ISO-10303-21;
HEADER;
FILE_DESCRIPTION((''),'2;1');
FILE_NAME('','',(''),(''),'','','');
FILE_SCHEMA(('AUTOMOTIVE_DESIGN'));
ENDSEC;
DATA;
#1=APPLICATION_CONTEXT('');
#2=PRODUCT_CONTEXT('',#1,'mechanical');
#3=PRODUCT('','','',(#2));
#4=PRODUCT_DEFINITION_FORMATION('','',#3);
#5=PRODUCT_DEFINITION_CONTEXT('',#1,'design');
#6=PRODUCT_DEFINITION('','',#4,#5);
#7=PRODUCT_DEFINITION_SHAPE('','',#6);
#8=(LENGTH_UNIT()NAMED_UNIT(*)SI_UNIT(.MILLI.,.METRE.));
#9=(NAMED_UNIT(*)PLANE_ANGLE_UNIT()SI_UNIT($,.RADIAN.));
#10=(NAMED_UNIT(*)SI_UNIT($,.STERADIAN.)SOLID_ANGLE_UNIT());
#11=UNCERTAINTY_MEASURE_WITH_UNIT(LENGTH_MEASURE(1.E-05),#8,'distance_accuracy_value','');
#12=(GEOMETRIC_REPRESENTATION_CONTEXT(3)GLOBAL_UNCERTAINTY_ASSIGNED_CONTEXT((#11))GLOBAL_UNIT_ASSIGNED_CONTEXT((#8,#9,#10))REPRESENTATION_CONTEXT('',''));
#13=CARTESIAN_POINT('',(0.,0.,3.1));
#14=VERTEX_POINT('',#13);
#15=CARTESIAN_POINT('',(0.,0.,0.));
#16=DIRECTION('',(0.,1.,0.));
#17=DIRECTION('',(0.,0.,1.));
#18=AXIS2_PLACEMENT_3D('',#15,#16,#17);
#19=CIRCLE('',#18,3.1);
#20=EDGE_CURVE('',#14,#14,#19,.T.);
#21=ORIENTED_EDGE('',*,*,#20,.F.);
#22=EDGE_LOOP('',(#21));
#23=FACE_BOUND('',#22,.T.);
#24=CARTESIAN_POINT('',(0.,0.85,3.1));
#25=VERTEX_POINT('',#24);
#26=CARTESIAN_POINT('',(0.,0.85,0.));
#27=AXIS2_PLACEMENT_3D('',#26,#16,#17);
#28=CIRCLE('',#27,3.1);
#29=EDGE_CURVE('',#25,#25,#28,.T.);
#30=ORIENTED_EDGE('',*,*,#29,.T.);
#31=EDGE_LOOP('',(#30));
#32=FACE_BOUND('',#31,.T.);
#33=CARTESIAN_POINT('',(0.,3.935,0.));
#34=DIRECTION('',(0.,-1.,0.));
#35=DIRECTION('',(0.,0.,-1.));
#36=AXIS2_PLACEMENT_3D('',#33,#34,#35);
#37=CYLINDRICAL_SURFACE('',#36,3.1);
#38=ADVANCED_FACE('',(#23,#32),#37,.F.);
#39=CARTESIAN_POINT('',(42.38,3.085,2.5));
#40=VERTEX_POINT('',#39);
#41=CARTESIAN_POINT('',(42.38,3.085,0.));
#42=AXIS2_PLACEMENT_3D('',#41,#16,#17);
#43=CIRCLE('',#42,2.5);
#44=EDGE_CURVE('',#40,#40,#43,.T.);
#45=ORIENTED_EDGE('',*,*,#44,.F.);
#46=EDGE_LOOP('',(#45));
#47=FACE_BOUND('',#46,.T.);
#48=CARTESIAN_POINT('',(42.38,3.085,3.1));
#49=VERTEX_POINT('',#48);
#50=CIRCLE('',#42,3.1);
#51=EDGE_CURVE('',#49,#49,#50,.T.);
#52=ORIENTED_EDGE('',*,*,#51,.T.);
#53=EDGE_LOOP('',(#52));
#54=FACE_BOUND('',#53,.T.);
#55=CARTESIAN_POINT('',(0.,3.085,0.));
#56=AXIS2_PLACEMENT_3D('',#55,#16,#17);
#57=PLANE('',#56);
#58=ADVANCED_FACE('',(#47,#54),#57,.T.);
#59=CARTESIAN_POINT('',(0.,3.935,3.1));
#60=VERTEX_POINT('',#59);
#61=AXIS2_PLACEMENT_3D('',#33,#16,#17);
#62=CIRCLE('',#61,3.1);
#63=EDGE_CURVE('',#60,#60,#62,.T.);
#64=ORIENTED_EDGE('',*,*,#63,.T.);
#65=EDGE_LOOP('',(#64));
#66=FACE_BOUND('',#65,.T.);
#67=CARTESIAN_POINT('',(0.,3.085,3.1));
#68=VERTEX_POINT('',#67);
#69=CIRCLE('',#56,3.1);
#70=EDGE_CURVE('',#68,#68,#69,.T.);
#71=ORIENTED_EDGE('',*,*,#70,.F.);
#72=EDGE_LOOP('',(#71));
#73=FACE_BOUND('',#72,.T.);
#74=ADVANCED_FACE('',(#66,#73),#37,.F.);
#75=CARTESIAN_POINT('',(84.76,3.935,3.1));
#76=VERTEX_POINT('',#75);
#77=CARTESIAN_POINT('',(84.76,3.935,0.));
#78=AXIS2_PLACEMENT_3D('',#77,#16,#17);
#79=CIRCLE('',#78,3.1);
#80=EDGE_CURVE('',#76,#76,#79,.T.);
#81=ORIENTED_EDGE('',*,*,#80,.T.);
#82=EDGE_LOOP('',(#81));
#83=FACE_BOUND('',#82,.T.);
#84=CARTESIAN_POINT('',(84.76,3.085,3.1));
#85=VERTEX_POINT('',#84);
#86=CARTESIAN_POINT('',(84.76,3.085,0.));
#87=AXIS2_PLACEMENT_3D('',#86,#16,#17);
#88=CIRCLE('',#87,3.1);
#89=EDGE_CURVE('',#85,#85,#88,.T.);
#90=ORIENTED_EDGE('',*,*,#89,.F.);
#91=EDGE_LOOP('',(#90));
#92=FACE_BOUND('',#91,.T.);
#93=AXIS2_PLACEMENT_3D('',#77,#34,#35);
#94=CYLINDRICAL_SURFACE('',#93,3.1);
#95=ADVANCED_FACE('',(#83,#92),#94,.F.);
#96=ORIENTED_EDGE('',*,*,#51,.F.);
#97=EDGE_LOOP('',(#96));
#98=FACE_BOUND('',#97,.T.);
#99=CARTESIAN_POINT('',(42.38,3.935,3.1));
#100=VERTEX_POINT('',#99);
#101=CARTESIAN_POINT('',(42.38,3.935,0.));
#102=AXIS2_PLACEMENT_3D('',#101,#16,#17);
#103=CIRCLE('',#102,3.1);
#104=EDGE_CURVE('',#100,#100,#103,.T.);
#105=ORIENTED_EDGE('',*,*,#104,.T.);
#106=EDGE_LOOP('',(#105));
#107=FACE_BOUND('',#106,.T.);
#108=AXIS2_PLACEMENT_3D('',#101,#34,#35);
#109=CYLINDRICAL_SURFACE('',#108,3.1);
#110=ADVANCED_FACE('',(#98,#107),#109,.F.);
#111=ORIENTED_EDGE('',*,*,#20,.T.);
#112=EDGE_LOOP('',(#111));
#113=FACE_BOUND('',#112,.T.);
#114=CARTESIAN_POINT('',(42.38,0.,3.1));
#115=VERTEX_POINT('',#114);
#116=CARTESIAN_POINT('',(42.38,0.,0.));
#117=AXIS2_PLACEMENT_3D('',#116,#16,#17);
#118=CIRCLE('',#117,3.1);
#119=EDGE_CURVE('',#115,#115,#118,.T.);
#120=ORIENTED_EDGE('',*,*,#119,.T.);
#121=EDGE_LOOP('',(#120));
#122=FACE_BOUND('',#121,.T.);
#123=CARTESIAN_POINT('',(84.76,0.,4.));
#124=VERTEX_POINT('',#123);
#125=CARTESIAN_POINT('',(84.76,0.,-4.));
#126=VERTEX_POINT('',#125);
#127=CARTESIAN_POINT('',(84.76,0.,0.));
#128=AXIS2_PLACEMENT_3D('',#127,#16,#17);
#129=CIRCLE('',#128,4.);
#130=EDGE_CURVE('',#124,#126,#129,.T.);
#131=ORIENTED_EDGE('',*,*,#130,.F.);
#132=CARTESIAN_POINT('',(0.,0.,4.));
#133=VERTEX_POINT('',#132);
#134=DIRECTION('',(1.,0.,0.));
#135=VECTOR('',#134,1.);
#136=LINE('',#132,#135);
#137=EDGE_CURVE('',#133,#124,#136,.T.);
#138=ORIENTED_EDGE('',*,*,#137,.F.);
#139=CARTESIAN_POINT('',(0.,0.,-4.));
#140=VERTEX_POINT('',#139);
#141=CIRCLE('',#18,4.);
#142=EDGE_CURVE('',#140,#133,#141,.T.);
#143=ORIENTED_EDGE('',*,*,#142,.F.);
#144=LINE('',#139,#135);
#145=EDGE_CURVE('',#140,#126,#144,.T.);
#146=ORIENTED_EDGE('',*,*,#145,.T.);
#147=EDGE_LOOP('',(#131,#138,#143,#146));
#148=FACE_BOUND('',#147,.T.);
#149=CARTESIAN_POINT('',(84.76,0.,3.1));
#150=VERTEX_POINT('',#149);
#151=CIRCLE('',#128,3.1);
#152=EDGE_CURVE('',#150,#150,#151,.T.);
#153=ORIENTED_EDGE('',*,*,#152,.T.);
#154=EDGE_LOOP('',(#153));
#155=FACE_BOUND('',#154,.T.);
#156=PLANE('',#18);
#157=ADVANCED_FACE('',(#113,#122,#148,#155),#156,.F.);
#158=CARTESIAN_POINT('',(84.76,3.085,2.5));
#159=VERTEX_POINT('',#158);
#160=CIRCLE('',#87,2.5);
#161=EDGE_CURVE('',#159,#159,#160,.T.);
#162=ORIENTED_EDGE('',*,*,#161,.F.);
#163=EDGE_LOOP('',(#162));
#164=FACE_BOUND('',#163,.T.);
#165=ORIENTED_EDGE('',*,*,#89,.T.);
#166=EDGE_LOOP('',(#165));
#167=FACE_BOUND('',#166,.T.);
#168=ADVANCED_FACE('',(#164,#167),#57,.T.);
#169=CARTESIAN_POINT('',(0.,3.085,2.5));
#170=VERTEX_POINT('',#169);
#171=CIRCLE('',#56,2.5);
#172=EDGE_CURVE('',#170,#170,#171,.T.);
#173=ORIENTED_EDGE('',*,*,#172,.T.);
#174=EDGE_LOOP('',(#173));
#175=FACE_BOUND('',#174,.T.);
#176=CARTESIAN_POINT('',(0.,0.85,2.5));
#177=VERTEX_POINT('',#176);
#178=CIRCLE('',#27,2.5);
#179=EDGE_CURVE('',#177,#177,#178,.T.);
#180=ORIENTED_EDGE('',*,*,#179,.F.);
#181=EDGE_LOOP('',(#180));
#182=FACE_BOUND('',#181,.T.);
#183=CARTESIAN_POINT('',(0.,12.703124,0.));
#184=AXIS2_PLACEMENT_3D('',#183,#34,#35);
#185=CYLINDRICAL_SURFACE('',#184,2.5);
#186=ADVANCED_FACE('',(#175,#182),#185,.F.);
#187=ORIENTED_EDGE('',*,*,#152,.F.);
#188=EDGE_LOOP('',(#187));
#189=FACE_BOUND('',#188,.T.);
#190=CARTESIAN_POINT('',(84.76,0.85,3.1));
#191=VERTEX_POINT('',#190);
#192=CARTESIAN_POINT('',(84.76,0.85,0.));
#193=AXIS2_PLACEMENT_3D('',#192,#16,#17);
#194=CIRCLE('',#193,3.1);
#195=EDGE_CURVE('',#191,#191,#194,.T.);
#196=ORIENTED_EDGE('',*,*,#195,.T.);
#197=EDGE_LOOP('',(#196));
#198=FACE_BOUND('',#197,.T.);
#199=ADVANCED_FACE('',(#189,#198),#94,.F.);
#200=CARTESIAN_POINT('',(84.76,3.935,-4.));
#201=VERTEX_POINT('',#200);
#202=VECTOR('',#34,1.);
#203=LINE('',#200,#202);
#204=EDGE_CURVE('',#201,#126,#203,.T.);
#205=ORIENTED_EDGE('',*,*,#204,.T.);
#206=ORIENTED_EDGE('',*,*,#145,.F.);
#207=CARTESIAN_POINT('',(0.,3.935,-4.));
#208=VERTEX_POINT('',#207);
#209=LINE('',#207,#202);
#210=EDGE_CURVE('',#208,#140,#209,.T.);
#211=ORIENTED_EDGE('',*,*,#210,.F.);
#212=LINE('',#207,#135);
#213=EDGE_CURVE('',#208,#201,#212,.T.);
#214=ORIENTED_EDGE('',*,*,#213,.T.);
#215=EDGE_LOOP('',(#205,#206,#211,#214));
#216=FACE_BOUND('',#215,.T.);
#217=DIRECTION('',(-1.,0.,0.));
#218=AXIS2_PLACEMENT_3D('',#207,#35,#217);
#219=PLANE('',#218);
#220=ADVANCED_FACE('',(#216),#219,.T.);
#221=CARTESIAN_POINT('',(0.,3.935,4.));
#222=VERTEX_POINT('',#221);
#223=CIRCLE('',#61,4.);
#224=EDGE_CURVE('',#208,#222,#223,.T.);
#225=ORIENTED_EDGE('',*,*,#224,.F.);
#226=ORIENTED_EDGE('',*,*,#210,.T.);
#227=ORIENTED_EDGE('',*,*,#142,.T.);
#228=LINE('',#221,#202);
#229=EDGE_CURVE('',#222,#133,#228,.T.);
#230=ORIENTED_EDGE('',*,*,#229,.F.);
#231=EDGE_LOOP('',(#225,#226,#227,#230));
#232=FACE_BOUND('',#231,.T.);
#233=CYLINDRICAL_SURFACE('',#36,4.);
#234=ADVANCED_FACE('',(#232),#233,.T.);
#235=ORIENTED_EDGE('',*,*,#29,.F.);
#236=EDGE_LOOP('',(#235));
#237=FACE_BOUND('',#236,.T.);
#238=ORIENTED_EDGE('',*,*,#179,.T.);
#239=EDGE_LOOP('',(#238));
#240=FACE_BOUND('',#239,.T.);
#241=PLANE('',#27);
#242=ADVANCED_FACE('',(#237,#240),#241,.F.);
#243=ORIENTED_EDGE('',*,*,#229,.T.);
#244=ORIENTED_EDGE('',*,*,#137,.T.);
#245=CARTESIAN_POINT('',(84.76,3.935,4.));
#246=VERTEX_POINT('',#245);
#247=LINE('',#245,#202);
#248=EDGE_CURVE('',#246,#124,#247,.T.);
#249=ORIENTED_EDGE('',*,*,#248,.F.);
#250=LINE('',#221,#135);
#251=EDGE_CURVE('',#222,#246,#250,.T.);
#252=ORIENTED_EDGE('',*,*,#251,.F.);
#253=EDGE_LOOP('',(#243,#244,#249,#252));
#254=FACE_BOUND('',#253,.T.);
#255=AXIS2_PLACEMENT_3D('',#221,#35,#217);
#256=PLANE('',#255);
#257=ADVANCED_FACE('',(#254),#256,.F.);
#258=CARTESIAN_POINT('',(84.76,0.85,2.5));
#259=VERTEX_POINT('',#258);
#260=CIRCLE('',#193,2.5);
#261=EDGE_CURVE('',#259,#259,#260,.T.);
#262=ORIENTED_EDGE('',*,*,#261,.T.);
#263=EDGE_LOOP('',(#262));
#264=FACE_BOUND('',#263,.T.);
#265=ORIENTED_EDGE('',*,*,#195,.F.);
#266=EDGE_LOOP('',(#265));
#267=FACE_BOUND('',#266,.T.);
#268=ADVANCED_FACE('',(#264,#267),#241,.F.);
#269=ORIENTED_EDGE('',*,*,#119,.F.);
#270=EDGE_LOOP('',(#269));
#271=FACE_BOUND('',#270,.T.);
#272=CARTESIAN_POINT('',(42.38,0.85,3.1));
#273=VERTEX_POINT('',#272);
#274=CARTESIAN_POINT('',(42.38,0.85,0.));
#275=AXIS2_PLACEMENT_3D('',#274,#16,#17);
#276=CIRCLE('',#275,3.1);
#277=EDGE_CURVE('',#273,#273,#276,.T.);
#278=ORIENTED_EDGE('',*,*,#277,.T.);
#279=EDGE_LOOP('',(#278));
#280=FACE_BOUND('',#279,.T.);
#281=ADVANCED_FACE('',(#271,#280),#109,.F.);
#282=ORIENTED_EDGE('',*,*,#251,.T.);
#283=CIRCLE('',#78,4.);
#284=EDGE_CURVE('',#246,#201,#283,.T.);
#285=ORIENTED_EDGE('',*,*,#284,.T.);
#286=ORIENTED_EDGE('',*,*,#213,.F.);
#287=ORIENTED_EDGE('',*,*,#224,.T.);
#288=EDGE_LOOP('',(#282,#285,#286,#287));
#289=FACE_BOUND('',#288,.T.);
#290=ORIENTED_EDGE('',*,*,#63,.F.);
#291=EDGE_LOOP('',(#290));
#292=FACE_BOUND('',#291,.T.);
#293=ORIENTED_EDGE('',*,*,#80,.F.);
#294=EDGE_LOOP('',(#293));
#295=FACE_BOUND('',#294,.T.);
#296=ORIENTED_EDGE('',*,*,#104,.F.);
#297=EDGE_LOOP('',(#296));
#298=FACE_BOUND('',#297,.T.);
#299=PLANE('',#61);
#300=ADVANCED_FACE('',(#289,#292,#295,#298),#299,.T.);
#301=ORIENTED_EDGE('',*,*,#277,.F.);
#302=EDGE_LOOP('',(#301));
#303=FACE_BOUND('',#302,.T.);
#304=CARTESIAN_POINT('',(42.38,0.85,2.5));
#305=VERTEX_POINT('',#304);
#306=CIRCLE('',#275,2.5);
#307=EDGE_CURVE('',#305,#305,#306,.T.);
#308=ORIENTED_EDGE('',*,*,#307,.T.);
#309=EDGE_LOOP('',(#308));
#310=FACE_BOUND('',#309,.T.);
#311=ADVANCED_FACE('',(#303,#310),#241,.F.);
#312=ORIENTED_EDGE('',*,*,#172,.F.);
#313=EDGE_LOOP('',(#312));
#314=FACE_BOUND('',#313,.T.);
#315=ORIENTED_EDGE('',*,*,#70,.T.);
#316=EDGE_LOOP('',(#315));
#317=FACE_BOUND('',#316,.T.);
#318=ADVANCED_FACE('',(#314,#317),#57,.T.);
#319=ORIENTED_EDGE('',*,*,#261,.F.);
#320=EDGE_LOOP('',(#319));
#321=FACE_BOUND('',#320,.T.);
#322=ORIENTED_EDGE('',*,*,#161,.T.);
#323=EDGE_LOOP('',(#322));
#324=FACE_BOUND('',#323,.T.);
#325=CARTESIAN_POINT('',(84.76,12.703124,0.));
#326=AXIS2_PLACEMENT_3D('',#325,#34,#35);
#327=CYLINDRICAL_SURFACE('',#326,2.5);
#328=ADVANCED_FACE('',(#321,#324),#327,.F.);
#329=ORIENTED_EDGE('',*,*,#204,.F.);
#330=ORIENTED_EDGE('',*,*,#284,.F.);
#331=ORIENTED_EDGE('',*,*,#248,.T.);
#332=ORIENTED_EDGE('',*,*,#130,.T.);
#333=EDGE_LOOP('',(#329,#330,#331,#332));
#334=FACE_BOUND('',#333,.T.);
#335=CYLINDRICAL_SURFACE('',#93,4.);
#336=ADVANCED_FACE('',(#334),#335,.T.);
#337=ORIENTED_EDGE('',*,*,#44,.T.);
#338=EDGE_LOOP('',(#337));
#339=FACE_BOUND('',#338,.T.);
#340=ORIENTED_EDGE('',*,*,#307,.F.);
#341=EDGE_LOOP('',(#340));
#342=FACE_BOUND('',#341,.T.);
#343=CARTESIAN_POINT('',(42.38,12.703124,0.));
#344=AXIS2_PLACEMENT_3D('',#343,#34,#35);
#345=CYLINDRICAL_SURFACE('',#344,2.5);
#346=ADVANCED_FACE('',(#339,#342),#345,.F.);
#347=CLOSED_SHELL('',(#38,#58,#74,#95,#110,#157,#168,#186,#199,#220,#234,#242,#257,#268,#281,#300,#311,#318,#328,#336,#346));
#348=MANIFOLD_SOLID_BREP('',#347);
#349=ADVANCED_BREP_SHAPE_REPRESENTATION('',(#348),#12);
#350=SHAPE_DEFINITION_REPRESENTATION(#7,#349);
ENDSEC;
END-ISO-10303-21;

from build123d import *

# Parameters (mm, degrees)
CROQUIS1_R              = 3.1
SALIENTE_EXTRUIR1_DEPTH = 3.935
SALIENTE_EXTRUIR2_START = 0.85
CROQUIS1_3_R            = 3.1
CROQUIS1_3_R_2          = 2.5
SALIENTE_EXTRUIR2_DEPTH = 2.235


with BuildPart() as part:
    # Croquis1 → Saliente-Extruir1 (new body)
    with BuildSketch(Plane(origin=(0, 0, 0), x_dir=(1, 0, 0), z_dir=(0, 1, 0))):
        with BuildLine():
            Line((0, 4), (84.76, 4))
            ThreePointArc((84.76, 4), (88.76, 0), (84.76, -4))
            Line((84.76, -4), (0, -4))
            ThreePointArc((0, -4), (-4, 0), (0, 4))
        make_face()
        with Locations(Location((0, 0, 0), (0, 0, 270))):
            Circle(CROQUIS1_R, mode=Mode.SUBTRACT)
        with Locations(Location((84.76, 0, 0), (0, 0, 270))):
            Circle(CROQUIS1_R, mode=Mode.SUBTRACT)
        with Locations(Location((42.38, 0, 0), (0, 0, 270))):
            Circle(CROQUIS1_R, mode=Mode.SUBTRACT)
    extrude(amount=SALIENTE_EXTRUIR1_DEPTH)

    # Croquis1<3> → Saliente-Extruir2 (add)
    # profile 1 of 3: a face of its own
    with BuildSketch(Plane(origin=(0, 0, 0), x_dir=(1, 0, 0), z_dir=(0, 1, 0)).offset(SALIENTE_EXTRUIR2_START)):
        with Locations(Location((0, 0, 0), (0, 0, 270))):
            Circle(CROQUIS1_3_R)
        with Locations(Location((0, 0, 0), (0, 0, 270))):
            Circle(CROQUIS1_3_R_2, mode=Mode.SUBTRACT)
    # profile 2 of 3: a face of its own
    with BuildSketch(Plane(origin=(0, 0, 0), x_dir=(1, 0, 0), z_dir=(0, 1, 0)).offset(SALIENTE_EXTRUIR2_START)):
        with Locations(Location((84.76, 0, 0), (0, 0, 270))):
            Circle(CROQUIS1_3_R)
        with Locations(Location((84.76, 0, 0), (0, 0, 270))):
            Circle(CROQUIS1_3_R_2, mode=Mode.SUBTRACT)
    # profile 3 of 3: a face of its own
    with BuildSketch(Plane(origin=(0, 0, 0), x_dir=(1, 0, 0), z_dir=(0, 1, 0)).offset(SALIENTE_EXTRUIR2_START)):
        with Locations(Location((42.38, 0, 0), (0, 0, 270))):
            Circle(CROQUIS1_3_R)
        with Locations(Location((42.38, 0, 0), (0, 0, 270))):
            Circle(CROQUIS1_3_R_2, mode=Mode.SUBTRACT)
    extrude(amount=SALIENTE_EXTRUIR2_DEPTH)


solid = part.part
